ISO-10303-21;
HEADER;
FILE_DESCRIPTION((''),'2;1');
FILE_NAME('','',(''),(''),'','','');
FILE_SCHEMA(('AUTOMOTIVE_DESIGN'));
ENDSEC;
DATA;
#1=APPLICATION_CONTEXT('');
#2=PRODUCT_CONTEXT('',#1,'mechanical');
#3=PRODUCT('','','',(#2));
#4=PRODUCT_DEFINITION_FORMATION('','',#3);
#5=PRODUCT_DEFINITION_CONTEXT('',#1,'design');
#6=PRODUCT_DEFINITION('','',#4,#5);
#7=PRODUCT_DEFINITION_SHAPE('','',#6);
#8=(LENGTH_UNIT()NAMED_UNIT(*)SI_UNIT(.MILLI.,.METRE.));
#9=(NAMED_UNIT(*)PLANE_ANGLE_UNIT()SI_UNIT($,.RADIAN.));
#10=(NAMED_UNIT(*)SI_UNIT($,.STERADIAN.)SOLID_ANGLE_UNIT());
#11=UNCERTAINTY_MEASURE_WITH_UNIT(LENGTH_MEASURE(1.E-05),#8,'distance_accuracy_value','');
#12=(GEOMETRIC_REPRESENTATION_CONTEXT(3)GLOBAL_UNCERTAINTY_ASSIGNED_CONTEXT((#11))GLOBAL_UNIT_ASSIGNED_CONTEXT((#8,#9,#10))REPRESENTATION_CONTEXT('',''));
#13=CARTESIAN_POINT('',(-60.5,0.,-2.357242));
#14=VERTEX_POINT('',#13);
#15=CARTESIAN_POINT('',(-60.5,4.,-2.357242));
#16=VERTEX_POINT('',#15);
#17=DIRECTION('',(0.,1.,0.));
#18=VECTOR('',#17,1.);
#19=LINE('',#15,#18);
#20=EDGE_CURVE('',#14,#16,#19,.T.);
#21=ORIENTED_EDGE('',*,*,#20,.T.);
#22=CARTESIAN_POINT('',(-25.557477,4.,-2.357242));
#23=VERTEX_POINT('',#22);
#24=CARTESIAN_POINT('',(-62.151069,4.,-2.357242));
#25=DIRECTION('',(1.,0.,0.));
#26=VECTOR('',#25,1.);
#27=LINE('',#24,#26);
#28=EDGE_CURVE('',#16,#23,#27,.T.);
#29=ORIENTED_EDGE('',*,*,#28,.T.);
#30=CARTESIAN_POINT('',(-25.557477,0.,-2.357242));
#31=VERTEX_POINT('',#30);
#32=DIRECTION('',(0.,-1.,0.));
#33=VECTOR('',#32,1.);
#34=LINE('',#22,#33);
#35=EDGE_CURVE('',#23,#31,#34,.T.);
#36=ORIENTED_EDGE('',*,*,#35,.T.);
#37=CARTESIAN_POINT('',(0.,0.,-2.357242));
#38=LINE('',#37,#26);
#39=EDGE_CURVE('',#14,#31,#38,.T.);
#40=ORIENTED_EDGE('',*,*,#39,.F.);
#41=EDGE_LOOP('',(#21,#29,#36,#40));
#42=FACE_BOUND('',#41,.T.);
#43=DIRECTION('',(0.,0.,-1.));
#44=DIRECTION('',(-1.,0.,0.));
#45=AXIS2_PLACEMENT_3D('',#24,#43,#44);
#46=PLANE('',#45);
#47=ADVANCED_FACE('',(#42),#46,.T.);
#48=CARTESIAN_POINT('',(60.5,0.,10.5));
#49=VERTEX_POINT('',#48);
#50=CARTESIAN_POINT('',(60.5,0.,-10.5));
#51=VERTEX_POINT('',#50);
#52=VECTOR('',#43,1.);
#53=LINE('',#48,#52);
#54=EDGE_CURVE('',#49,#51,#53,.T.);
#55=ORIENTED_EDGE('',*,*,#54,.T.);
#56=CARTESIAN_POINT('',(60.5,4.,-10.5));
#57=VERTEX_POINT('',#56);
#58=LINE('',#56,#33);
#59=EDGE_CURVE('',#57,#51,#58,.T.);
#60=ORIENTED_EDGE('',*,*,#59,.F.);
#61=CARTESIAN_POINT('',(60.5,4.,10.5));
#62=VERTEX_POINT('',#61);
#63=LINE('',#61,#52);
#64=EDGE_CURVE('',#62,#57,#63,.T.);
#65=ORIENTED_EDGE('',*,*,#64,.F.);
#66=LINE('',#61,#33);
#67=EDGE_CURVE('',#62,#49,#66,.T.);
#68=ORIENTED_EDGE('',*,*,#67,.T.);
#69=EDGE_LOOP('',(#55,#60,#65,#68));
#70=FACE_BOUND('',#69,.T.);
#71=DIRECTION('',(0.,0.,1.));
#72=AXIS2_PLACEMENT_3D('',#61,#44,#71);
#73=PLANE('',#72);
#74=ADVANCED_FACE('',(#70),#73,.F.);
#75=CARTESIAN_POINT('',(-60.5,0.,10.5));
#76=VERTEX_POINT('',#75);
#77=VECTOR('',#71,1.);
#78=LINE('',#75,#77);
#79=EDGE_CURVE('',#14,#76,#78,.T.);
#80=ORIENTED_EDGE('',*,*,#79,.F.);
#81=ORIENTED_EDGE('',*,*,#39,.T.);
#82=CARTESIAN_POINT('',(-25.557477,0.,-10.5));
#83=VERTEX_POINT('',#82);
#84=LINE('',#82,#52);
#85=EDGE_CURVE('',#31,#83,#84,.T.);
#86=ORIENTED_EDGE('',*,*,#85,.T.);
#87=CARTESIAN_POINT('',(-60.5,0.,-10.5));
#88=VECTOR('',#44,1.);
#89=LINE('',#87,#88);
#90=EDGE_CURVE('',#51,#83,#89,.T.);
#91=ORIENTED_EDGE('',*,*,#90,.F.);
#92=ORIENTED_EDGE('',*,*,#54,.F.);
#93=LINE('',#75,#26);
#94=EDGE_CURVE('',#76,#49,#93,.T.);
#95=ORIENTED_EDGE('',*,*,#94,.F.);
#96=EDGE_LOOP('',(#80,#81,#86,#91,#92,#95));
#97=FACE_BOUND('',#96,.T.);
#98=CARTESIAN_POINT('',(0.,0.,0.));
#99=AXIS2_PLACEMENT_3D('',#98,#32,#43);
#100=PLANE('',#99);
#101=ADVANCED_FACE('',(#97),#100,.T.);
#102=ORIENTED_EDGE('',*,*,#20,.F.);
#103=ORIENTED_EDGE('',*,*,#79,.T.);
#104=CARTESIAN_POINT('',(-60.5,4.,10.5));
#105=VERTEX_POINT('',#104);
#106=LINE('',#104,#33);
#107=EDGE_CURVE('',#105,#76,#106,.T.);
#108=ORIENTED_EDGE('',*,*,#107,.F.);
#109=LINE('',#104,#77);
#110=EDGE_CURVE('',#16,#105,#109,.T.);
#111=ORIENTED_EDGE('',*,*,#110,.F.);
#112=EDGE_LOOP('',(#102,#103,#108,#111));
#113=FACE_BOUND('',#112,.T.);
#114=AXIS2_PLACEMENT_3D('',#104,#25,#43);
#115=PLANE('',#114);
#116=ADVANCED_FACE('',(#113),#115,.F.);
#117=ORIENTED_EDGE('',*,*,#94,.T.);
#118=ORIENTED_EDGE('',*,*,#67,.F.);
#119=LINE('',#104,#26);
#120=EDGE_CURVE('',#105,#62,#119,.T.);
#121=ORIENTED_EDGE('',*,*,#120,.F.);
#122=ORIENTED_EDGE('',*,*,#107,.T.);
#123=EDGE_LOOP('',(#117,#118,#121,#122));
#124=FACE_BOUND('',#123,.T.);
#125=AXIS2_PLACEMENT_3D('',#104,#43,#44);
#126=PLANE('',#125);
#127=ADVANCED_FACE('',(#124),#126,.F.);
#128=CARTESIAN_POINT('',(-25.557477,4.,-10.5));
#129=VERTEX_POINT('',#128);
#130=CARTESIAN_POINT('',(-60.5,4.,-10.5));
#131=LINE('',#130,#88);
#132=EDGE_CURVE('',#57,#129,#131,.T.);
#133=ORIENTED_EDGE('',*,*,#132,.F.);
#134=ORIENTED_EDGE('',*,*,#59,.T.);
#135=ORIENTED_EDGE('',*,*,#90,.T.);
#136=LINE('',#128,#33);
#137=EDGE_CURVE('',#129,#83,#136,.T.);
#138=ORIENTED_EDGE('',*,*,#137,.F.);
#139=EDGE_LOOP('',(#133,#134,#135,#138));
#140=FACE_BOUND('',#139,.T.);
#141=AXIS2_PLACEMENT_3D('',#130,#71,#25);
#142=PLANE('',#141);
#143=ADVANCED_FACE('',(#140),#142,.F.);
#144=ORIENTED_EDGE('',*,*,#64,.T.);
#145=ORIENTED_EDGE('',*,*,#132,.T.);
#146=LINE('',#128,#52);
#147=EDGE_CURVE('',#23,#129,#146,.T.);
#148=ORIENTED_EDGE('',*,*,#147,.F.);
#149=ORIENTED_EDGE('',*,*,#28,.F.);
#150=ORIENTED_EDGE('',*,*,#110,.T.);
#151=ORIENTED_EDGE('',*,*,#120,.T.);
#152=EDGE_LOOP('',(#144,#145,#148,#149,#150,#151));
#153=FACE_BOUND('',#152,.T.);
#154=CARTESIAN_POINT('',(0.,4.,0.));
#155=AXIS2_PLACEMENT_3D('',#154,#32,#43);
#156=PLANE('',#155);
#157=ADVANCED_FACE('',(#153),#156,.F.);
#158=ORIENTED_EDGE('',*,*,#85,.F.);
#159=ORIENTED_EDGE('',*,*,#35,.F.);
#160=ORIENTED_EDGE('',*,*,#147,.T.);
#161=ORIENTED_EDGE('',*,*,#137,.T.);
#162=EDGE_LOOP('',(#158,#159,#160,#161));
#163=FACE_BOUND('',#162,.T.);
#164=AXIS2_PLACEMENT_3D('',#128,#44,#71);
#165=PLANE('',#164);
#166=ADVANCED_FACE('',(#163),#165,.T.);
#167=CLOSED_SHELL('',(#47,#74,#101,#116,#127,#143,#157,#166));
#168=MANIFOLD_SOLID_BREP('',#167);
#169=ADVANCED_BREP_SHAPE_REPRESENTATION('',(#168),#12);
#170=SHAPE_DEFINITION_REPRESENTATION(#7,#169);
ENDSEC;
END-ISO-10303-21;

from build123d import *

# Parameters (mm, degrees)
SKETCH1_W               = 121
SKETCH1_H               = 21
BOSS_EXTRUDE1_DEPTH     = 4
CUT_EXTRUDE1_DEPTH      = 62.534543144
CUT_EXTRUDE1_DEPTH_BACK = 62.534543144
SKETCH2_W               = 36.59359186
SKETCH2_H               = 8.142757597


with BuildPart() as part:
    # Sketch1 → Boss-Extrude1 (new body)
    with BuildSketch(Plane(origin=(0, 0, 0), x_dir=(1, 0, 0), z_dir=(0, 1, 0))):
        Rectangle(SKETCH1_W, SKETCH1_H)
    extrude(amount=BOSS_EXTRUDE1_DEPTH)

    # Sketch2 → Cut-Extrude1 (cut, two sides: drawn at the far end of the back side and taken through both)
    with BuildSketch(Plane(origin=(0, 0, 0), x_dir=(1, 0, 0), z_dir=(0, 1, 0)).offset(-CUT_EXTRUDE1_DEPTH_BACK)):
        with Locations((-43.854273263, 6.428621202)):
            Rectangle(SKETCH2_W, SKETCH2_H)
    extrude(amount=CUT_EXTRUDE1_DEPTH + CUT_EXTRUDE1_DEPTH_BACK, mode=Mode.SUBTRACT)


solid = part.part
